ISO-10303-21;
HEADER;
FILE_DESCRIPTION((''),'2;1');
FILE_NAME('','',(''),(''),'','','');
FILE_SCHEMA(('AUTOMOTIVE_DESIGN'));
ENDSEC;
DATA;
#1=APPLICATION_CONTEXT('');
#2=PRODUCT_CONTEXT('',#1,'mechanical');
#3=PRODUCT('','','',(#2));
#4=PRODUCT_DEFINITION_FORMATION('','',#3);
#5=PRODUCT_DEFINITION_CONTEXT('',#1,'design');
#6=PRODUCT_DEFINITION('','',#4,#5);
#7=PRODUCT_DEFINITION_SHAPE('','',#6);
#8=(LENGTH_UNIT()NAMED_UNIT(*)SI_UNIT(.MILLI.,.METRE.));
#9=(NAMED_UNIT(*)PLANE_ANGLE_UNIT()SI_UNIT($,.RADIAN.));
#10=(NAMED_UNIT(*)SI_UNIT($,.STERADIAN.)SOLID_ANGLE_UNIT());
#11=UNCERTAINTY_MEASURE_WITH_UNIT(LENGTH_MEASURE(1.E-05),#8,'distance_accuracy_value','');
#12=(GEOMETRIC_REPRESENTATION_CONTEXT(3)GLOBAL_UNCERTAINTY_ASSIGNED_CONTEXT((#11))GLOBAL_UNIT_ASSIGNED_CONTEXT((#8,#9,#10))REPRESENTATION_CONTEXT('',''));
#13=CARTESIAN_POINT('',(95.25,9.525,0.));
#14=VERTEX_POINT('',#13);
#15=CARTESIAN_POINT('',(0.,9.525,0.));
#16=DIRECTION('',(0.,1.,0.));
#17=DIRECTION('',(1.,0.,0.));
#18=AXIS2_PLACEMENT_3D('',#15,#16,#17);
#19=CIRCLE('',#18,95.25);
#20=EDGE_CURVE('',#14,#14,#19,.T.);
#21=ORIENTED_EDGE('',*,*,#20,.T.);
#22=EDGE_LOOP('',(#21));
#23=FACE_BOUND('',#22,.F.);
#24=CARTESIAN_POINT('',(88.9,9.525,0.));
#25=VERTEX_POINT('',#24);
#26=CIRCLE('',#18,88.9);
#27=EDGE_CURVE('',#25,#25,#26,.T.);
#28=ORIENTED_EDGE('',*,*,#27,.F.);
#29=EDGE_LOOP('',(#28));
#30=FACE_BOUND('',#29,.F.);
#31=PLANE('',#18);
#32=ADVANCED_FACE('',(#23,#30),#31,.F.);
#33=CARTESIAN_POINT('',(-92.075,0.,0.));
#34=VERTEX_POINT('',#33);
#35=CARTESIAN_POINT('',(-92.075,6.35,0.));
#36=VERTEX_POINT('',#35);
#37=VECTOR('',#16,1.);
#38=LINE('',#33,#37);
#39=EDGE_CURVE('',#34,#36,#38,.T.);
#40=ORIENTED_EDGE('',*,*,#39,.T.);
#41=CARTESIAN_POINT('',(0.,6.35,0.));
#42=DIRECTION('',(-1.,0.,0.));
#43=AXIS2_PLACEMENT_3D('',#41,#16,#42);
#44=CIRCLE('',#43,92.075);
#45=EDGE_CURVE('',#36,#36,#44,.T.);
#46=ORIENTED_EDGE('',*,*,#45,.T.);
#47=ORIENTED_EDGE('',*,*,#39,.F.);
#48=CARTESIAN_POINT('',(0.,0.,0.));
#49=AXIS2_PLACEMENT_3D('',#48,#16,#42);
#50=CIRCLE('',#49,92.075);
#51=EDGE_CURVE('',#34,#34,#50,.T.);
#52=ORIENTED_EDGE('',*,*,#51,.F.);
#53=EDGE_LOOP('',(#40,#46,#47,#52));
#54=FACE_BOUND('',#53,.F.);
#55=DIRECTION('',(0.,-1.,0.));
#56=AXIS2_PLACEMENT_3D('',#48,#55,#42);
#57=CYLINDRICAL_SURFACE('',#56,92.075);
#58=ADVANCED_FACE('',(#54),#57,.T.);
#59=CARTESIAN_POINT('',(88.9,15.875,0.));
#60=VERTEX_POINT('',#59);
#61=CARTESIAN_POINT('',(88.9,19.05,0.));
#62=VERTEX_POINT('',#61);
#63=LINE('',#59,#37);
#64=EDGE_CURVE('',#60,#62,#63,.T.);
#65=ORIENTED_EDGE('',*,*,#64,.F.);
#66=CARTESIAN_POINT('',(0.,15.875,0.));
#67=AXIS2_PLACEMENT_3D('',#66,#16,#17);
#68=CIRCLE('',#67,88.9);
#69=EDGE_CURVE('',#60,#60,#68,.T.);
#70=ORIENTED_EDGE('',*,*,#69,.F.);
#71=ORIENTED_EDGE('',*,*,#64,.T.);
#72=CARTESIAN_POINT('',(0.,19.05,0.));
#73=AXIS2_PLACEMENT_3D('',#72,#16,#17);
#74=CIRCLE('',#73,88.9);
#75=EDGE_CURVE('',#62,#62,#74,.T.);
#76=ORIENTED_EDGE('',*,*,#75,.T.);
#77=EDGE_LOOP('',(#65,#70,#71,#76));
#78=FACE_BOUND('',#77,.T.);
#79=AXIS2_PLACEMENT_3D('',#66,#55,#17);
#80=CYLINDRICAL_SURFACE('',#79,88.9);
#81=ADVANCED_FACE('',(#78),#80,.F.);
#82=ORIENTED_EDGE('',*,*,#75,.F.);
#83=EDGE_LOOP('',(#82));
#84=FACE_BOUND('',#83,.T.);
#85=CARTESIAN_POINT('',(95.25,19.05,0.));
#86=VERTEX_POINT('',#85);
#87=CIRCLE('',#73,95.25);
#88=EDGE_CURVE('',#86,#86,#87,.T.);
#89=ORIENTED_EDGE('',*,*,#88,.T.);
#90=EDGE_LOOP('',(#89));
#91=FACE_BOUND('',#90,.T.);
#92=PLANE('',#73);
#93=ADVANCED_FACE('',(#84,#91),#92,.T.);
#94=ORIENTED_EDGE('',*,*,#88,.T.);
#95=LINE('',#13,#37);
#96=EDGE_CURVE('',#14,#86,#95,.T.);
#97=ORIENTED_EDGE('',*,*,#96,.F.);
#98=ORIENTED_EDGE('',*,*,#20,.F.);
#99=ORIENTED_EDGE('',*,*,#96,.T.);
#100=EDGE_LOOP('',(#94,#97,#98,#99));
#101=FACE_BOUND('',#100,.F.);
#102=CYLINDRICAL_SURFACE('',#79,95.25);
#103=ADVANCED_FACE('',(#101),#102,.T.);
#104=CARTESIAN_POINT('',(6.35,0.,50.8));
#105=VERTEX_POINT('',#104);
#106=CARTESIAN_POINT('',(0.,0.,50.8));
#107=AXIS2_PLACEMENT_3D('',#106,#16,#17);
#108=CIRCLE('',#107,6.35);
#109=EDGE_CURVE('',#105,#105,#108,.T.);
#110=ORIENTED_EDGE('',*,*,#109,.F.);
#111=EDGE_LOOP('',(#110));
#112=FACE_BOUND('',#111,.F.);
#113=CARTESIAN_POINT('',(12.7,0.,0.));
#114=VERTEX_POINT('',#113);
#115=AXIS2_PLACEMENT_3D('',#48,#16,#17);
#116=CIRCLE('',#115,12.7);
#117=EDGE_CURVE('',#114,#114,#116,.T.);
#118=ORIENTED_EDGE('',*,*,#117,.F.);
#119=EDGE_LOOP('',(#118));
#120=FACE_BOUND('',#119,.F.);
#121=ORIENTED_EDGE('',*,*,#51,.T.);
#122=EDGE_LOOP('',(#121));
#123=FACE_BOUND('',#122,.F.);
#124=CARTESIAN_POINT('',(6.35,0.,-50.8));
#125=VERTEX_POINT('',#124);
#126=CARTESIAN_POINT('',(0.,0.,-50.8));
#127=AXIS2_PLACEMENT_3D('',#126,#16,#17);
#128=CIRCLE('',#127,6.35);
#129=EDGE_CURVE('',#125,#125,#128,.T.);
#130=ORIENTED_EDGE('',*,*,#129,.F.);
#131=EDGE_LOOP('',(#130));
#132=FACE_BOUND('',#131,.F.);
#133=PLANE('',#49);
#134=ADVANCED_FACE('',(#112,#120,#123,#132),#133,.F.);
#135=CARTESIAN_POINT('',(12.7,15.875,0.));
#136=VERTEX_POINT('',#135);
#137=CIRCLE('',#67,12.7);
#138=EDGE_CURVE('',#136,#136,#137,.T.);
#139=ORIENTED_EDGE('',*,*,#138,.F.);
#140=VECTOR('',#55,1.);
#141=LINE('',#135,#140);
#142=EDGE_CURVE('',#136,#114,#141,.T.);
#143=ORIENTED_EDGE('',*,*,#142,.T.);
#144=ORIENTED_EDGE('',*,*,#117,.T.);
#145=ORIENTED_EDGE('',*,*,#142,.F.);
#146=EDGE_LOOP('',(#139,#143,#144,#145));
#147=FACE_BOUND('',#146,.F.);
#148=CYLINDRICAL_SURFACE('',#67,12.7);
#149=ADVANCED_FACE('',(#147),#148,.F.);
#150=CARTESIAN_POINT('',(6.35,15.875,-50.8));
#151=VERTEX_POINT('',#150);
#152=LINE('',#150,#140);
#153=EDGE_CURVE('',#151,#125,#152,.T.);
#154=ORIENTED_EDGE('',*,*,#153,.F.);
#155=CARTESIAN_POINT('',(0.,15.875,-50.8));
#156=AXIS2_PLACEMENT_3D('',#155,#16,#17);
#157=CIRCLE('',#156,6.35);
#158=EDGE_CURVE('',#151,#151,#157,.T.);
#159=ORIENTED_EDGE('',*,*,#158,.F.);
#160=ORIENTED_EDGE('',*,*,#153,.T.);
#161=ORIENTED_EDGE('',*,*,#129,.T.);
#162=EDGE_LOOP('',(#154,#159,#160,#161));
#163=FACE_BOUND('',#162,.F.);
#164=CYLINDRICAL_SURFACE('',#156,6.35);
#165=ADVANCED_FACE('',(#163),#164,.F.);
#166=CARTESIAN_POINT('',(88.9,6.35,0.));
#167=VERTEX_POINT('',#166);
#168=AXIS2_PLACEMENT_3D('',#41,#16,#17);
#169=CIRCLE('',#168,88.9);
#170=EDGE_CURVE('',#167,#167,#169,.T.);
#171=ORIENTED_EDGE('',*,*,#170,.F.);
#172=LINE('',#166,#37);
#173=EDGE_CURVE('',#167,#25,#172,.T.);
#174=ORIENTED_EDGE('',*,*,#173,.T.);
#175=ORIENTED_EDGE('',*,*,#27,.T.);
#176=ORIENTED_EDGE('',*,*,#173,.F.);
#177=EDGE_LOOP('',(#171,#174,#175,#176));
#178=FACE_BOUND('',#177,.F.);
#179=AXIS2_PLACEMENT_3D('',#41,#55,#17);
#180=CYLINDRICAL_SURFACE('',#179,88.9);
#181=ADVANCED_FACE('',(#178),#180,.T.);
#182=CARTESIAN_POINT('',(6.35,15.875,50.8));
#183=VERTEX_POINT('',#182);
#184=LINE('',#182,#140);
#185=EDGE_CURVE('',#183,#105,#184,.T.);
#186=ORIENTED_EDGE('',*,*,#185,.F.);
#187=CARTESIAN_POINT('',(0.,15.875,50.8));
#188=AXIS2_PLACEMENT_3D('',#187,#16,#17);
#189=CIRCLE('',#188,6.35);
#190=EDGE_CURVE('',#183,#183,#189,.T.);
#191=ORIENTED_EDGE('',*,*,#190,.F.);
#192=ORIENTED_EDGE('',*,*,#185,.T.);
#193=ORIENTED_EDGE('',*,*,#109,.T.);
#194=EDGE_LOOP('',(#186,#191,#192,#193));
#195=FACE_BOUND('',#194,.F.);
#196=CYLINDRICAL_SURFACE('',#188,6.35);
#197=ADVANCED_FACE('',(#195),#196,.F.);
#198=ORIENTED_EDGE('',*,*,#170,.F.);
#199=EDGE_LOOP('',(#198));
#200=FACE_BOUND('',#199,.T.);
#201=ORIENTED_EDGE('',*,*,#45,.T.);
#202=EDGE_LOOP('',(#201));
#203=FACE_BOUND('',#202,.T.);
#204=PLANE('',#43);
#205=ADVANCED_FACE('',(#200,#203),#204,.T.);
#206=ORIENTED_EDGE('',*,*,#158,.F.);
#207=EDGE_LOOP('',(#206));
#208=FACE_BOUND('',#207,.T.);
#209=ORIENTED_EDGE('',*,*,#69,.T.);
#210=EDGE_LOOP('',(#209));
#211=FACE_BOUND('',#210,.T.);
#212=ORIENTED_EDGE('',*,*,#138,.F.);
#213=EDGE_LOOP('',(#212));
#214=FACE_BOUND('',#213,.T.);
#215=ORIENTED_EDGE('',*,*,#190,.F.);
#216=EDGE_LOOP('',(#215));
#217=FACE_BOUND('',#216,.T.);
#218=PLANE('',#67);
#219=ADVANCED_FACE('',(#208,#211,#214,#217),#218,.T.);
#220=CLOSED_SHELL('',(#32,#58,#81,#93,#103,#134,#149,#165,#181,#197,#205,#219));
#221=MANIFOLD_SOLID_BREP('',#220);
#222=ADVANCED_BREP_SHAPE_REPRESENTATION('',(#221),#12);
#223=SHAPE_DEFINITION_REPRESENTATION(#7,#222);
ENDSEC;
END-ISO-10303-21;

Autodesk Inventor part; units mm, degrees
ref_plane "YZ Plane" through (0, 0, 0) normal (1, 0, 0) x (0, 1, 0)
ref_plane "XZ Plane" through (0, 0, 0) normal (0, 1, 0) x (-1, 0, 0)
ref_plane "XY Plane" through (0, 0, 0) normal (0, 0, 1) x (1, 0, 0)
sketch "Sketch1" plane through (0, 0, 0) normal (0, 1, 0) x (-1, 0, 0)
  circle A0 centre (0, 0) radius 92.075
  dimension "d0" = 184.15
extrude "Extrusion1" add sketch "Sketch1" along normal blind 6.35
sketch "Sketch2" plane through (0, 6.35, 0) normal (0, 1, 0) x (1, 0, 0)
  circle A0 centre (0, 0) radius 88.9
  dimension "d3" = 177.8
extrude "Extrusion2" add sketch "Sketch2" along normal blind 3.175
sketch "Sketch3" plane through (0, 9.525, 0) normal (0, 1, 0) x (1, 0, 0)
  circle A0 centre (0, 0) radius 95.25
  dimension "d6" = 190.5
extrude "Extrusion3" add sketch "Sketch3" along normal blind 6.35
sketch "Sketch8" plane through (0, 15.875, 0) normal (0, 1, 0) x (1, 0, 0)
  circle A0 centre (0, 0) radius 95.25
  circle A1 centre (0, 0) radius 88.9
  dimension "d33" = 177.8
  dimension "d34" = 190.5
extrude "Extrusion9" add sketch "Sketch8" along normal blind 3.175
sketch "Sketch9" plane through (0, 15.875, 0) normal (0, 1, 0) x (1, 0, 0)
  circle A0 centre (0, 0) radius 12.7
  circle A1 centre (0, -50.8) radius 6.35
  circle A2 centre (0, 50.8) radius 6.35
  dimension "d37" = 12.7
  dimension "d38" = 50.8
  dimension "d39" = 50.8
  dimension "d40" = 25.4
extrude "Extrusion10" cut sketch "Sketch9" against normal through all
properties part number "upper_thermal_barrier" material "Phenolic Resin"
